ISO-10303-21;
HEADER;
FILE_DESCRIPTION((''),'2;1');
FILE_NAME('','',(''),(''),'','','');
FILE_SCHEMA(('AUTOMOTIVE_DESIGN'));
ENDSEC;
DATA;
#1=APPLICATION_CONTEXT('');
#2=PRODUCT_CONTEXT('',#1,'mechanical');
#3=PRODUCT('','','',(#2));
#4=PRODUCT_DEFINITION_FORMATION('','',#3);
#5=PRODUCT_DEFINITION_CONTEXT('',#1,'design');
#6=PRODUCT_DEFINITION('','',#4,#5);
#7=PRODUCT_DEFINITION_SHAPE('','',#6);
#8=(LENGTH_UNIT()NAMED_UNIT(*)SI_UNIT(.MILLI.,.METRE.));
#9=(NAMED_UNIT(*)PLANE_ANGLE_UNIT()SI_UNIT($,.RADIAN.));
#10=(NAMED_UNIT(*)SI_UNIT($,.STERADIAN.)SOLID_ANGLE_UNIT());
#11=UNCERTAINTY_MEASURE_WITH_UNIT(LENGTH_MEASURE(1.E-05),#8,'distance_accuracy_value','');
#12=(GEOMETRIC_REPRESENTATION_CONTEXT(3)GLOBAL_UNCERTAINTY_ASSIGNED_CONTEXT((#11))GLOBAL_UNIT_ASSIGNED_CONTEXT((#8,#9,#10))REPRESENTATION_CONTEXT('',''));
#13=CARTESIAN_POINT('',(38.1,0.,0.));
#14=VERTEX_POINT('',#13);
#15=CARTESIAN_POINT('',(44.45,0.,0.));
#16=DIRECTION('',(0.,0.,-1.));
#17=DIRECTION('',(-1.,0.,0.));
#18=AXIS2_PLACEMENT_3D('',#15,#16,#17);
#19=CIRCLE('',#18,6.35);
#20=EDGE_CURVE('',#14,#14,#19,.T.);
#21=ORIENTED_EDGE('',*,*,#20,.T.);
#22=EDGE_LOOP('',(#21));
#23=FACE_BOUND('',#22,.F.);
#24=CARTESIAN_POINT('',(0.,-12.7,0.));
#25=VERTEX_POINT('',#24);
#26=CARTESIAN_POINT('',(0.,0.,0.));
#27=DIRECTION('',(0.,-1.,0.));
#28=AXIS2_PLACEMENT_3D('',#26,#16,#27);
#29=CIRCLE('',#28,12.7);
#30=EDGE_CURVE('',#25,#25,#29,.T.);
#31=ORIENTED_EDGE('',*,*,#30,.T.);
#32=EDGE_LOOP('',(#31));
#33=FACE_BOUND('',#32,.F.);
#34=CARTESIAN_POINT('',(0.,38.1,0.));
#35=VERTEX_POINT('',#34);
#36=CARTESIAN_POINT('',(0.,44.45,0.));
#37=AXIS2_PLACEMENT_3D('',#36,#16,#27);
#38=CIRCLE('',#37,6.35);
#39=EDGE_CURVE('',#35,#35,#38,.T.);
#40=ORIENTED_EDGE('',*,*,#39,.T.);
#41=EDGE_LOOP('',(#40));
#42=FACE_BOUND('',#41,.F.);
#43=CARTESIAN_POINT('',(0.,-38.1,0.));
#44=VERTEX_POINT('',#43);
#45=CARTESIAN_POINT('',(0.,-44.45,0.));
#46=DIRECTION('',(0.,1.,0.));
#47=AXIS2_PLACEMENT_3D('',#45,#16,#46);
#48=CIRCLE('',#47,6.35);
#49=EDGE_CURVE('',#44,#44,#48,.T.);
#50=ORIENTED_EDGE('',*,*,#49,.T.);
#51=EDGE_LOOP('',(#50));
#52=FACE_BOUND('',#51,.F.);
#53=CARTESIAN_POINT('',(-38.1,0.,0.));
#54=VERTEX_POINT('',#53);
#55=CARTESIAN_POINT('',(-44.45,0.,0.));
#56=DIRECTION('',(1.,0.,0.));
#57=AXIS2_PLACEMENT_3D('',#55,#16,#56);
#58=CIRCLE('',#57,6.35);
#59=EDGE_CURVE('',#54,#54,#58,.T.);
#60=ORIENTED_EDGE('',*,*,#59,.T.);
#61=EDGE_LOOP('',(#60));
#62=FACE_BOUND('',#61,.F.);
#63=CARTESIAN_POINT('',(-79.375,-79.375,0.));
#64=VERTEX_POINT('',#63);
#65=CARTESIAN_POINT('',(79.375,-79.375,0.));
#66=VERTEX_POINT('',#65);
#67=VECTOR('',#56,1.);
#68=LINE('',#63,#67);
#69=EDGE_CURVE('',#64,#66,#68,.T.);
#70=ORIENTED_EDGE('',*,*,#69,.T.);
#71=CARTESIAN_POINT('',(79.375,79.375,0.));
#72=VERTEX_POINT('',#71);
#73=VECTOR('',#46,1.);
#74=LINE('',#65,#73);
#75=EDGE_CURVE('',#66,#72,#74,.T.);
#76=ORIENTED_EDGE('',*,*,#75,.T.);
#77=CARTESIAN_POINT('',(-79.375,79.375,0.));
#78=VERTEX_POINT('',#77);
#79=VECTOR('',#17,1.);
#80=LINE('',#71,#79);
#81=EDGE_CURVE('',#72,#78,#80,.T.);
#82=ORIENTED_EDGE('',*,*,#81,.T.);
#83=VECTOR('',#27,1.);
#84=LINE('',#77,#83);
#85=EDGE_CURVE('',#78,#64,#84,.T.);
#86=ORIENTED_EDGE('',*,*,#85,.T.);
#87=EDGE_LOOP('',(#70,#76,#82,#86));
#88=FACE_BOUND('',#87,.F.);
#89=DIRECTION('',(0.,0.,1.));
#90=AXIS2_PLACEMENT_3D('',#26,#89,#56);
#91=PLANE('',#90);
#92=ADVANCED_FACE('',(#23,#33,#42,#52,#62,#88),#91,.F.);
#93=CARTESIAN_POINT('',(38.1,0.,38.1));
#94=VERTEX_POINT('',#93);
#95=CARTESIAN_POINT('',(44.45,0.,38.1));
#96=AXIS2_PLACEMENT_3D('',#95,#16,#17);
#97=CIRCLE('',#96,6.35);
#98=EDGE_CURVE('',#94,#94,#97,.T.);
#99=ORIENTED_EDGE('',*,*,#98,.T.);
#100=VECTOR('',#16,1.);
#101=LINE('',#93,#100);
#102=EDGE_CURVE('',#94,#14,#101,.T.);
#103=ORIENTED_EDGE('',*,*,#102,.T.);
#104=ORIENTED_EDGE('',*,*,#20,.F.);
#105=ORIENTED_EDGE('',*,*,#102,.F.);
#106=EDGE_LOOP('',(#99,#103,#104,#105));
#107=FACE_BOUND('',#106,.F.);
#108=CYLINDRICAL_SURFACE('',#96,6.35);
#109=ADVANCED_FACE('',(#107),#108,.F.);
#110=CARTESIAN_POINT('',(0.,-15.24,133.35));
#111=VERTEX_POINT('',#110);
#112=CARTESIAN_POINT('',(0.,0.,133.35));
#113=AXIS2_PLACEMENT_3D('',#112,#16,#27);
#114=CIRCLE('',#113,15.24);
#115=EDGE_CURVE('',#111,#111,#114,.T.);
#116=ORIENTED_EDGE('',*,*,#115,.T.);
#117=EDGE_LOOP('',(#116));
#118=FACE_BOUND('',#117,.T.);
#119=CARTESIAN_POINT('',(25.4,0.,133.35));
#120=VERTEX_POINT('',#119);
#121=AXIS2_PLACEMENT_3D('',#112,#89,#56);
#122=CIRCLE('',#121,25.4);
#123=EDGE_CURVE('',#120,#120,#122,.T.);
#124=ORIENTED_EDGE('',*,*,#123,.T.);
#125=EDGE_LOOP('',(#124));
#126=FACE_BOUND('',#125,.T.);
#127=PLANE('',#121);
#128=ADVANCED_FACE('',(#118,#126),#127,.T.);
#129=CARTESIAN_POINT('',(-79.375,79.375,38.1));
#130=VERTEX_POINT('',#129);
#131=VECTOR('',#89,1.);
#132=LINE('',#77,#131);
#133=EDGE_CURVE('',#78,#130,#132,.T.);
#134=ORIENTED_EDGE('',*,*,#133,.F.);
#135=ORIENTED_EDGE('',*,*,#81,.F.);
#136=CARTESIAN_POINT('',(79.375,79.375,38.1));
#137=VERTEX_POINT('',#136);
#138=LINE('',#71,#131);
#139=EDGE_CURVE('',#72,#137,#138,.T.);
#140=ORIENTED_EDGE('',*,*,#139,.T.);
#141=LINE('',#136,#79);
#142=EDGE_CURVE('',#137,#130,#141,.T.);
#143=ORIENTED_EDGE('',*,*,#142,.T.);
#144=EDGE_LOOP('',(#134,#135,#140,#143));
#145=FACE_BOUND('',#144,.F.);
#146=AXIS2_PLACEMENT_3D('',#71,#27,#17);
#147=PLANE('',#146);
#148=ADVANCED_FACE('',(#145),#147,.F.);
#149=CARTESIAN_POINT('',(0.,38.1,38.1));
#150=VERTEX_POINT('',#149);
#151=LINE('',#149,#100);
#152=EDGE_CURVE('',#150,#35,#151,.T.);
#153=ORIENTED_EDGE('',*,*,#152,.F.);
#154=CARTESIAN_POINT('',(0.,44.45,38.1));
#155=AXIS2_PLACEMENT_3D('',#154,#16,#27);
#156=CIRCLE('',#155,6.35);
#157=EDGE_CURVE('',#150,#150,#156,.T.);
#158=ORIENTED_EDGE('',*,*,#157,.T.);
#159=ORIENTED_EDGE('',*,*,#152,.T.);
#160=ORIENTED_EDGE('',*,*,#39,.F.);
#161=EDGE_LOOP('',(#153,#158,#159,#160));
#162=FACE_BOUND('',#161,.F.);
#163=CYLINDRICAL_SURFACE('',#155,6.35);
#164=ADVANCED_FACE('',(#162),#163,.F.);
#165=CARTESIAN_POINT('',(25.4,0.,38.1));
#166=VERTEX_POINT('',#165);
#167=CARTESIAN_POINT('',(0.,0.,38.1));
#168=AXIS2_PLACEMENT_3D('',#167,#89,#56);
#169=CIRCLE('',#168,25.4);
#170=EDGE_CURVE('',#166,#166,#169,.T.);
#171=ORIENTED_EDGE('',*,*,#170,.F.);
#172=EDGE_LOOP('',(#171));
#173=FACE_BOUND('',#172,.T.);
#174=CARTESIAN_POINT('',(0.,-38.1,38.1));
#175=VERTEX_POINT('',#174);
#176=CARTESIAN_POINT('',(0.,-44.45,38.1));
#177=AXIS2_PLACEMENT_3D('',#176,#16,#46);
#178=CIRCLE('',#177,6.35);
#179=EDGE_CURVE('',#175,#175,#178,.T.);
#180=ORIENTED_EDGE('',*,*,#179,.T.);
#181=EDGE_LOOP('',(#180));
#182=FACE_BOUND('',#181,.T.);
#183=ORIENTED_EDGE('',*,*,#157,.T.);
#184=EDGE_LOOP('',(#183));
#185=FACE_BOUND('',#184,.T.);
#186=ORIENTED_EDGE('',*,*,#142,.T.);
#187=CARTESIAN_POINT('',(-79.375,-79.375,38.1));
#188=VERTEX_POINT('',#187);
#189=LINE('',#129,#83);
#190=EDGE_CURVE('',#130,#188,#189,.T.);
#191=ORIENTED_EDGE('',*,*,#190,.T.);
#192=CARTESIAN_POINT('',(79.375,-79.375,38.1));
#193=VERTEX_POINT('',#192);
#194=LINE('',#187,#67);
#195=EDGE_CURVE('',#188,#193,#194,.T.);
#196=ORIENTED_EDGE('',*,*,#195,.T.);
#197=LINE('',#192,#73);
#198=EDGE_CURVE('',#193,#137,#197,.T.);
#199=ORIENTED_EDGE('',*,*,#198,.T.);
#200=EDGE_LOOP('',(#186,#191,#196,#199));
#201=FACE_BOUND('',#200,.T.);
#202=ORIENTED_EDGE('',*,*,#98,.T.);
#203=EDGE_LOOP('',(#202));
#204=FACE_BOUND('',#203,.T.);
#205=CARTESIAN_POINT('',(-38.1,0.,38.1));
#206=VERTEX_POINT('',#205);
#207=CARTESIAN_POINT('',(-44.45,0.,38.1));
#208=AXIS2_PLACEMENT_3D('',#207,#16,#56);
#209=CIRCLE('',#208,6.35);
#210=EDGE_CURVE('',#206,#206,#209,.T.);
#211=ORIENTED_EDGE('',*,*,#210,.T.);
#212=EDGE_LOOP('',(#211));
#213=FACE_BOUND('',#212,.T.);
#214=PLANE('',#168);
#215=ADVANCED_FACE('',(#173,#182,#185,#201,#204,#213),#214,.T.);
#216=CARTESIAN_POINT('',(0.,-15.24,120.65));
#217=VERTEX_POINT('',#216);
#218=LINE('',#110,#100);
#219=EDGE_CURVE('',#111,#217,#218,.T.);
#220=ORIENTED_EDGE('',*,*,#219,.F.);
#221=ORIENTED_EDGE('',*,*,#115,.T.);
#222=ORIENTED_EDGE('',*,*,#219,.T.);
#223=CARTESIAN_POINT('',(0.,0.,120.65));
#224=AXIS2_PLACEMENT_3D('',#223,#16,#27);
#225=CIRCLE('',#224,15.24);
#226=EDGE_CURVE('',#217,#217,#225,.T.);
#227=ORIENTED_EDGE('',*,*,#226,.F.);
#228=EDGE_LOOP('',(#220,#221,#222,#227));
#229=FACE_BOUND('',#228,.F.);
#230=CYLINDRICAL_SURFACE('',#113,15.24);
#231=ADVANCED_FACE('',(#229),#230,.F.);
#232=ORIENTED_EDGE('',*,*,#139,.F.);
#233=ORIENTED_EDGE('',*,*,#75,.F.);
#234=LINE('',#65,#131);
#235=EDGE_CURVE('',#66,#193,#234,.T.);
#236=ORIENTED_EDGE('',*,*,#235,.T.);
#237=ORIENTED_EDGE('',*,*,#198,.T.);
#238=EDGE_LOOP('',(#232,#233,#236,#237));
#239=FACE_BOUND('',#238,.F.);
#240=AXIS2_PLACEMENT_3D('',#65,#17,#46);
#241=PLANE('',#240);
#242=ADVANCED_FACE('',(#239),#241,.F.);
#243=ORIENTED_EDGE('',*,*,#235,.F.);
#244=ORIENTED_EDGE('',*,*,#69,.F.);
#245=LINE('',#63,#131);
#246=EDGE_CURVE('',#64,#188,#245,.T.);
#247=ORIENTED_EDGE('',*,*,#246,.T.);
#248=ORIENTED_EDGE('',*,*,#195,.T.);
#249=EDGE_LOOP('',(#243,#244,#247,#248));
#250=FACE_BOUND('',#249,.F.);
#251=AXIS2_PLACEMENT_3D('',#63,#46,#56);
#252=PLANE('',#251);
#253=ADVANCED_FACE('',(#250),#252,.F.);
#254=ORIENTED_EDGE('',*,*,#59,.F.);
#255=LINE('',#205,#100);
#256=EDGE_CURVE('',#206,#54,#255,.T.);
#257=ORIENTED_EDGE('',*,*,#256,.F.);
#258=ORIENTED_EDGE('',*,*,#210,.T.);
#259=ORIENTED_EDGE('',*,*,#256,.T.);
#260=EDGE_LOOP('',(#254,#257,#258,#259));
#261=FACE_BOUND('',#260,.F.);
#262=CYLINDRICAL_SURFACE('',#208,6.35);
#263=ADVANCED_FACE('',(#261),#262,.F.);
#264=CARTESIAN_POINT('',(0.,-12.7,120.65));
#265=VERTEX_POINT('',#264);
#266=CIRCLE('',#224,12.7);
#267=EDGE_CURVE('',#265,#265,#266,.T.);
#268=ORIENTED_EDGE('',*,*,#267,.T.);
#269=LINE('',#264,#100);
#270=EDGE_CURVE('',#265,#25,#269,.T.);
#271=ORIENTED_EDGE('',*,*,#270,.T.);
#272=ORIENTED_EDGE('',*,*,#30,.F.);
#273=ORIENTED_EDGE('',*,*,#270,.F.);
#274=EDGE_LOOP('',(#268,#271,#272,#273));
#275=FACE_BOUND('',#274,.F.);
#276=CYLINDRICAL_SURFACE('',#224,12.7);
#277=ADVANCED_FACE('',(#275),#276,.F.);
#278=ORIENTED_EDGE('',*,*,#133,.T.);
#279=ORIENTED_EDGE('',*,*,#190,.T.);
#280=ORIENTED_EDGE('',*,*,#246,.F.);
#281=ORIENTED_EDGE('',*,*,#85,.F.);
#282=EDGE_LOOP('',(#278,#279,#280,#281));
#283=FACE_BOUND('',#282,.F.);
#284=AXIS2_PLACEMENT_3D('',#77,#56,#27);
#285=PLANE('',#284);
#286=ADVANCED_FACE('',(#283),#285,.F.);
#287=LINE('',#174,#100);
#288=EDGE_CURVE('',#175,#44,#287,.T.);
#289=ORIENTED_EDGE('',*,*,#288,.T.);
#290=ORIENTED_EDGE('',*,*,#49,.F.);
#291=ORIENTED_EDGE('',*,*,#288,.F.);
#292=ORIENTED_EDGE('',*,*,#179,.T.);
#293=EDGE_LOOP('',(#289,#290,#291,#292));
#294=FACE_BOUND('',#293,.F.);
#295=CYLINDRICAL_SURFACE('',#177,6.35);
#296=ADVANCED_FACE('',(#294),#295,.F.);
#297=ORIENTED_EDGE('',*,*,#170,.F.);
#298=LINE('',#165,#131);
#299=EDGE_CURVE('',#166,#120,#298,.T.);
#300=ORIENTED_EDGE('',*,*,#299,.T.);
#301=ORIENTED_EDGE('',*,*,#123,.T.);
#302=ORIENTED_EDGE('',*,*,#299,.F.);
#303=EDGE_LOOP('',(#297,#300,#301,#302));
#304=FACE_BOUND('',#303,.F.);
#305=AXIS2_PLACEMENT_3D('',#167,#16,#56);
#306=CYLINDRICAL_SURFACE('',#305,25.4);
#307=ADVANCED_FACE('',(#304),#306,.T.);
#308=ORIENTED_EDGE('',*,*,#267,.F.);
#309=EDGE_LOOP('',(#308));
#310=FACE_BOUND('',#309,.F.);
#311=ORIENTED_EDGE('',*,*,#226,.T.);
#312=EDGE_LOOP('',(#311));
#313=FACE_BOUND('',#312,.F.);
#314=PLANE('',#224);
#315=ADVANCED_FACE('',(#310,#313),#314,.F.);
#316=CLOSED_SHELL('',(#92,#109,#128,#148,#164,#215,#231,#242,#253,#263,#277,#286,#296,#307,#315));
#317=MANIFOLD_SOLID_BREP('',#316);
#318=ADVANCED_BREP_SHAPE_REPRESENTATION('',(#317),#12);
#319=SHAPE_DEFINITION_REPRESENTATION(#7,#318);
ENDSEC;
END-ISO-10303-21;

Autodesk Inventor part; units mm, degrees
ref_plane "YZ Plane" through (0, 0, 0) normal (1, 0, 0) x (0, 1, 0)
ref_plane "XZ Plane" through (0, 0, 0) normal (0, 1, 0) x (-1, 0, 0)
ref_plane "XY Plane" through (0, 0, 0) normal (0, 0, 1) x (1, 0, 0)
ref_plane "Work Plane1" through (0, 0, 0) normal (0, 0, 1) x (1, 0, 0)
sketch "Sketch1" plane through (0, 0, 0) normal (0, 0, 1) x (1, 0, 0)
  line L0 (79.375, 79.375) -> (-79.375, 79.375)
  line L1 (-79.375, 79.375) -> (-79.375, -79.375)
  line L2 (-79.375, -79.375) -> (79.375, -79.375)
  line L3 (79.375, -79.375) -> (79.375, 79.375)
  line L4 (79.375, 79.375) -> (-79.375, -79.375) construction
  line L5 (-79.375, 79.375) -> (79.375, -79.375) construction
  point P0 (0, 0)
  dimension "d0" = 158.75
  dimension "d1" = 158.75
extrude "Extrusion1" add sketch "Sketch1" along normal blind 38.1
sketch "Sketch2" plane through (0, 0, 38.1) normal (0, 0, 1) x (1, 0, 0)
  circle A0 centre (0, 0) radius 25.4
  dimension "d4" = 50.8
extrude "Extrusion2" add sketch "Sketch2" along normal blind 95.25
hole "Hole1" at (0, 0, 133.35) direction (0, 0, -1) diameter 25.4 end through all counterbore diameter 30.48 counterbore depth 12.7
sketch "Sketch3" plane through (0, 0, 38.1) normal (0, 0, 1) x (1, 0, 0)
  circle A0 centre (0, 0) radius 12.7 construction
  circle A1 centre (0, 0) radius 44.45 construction
  point P0 (0, 44.45)
  dimension "d16" = 88.9
hole "Hole2" at (0, 44.45, 38.1) direction (0, 0, -1) diameter 12.7 end through all
pattern_circular "Circular Pattern1" count 4 over 360 about axis through (0, 0, 38.1) along (0, 0, 1) of "Hole2"
properties part number "Base"
